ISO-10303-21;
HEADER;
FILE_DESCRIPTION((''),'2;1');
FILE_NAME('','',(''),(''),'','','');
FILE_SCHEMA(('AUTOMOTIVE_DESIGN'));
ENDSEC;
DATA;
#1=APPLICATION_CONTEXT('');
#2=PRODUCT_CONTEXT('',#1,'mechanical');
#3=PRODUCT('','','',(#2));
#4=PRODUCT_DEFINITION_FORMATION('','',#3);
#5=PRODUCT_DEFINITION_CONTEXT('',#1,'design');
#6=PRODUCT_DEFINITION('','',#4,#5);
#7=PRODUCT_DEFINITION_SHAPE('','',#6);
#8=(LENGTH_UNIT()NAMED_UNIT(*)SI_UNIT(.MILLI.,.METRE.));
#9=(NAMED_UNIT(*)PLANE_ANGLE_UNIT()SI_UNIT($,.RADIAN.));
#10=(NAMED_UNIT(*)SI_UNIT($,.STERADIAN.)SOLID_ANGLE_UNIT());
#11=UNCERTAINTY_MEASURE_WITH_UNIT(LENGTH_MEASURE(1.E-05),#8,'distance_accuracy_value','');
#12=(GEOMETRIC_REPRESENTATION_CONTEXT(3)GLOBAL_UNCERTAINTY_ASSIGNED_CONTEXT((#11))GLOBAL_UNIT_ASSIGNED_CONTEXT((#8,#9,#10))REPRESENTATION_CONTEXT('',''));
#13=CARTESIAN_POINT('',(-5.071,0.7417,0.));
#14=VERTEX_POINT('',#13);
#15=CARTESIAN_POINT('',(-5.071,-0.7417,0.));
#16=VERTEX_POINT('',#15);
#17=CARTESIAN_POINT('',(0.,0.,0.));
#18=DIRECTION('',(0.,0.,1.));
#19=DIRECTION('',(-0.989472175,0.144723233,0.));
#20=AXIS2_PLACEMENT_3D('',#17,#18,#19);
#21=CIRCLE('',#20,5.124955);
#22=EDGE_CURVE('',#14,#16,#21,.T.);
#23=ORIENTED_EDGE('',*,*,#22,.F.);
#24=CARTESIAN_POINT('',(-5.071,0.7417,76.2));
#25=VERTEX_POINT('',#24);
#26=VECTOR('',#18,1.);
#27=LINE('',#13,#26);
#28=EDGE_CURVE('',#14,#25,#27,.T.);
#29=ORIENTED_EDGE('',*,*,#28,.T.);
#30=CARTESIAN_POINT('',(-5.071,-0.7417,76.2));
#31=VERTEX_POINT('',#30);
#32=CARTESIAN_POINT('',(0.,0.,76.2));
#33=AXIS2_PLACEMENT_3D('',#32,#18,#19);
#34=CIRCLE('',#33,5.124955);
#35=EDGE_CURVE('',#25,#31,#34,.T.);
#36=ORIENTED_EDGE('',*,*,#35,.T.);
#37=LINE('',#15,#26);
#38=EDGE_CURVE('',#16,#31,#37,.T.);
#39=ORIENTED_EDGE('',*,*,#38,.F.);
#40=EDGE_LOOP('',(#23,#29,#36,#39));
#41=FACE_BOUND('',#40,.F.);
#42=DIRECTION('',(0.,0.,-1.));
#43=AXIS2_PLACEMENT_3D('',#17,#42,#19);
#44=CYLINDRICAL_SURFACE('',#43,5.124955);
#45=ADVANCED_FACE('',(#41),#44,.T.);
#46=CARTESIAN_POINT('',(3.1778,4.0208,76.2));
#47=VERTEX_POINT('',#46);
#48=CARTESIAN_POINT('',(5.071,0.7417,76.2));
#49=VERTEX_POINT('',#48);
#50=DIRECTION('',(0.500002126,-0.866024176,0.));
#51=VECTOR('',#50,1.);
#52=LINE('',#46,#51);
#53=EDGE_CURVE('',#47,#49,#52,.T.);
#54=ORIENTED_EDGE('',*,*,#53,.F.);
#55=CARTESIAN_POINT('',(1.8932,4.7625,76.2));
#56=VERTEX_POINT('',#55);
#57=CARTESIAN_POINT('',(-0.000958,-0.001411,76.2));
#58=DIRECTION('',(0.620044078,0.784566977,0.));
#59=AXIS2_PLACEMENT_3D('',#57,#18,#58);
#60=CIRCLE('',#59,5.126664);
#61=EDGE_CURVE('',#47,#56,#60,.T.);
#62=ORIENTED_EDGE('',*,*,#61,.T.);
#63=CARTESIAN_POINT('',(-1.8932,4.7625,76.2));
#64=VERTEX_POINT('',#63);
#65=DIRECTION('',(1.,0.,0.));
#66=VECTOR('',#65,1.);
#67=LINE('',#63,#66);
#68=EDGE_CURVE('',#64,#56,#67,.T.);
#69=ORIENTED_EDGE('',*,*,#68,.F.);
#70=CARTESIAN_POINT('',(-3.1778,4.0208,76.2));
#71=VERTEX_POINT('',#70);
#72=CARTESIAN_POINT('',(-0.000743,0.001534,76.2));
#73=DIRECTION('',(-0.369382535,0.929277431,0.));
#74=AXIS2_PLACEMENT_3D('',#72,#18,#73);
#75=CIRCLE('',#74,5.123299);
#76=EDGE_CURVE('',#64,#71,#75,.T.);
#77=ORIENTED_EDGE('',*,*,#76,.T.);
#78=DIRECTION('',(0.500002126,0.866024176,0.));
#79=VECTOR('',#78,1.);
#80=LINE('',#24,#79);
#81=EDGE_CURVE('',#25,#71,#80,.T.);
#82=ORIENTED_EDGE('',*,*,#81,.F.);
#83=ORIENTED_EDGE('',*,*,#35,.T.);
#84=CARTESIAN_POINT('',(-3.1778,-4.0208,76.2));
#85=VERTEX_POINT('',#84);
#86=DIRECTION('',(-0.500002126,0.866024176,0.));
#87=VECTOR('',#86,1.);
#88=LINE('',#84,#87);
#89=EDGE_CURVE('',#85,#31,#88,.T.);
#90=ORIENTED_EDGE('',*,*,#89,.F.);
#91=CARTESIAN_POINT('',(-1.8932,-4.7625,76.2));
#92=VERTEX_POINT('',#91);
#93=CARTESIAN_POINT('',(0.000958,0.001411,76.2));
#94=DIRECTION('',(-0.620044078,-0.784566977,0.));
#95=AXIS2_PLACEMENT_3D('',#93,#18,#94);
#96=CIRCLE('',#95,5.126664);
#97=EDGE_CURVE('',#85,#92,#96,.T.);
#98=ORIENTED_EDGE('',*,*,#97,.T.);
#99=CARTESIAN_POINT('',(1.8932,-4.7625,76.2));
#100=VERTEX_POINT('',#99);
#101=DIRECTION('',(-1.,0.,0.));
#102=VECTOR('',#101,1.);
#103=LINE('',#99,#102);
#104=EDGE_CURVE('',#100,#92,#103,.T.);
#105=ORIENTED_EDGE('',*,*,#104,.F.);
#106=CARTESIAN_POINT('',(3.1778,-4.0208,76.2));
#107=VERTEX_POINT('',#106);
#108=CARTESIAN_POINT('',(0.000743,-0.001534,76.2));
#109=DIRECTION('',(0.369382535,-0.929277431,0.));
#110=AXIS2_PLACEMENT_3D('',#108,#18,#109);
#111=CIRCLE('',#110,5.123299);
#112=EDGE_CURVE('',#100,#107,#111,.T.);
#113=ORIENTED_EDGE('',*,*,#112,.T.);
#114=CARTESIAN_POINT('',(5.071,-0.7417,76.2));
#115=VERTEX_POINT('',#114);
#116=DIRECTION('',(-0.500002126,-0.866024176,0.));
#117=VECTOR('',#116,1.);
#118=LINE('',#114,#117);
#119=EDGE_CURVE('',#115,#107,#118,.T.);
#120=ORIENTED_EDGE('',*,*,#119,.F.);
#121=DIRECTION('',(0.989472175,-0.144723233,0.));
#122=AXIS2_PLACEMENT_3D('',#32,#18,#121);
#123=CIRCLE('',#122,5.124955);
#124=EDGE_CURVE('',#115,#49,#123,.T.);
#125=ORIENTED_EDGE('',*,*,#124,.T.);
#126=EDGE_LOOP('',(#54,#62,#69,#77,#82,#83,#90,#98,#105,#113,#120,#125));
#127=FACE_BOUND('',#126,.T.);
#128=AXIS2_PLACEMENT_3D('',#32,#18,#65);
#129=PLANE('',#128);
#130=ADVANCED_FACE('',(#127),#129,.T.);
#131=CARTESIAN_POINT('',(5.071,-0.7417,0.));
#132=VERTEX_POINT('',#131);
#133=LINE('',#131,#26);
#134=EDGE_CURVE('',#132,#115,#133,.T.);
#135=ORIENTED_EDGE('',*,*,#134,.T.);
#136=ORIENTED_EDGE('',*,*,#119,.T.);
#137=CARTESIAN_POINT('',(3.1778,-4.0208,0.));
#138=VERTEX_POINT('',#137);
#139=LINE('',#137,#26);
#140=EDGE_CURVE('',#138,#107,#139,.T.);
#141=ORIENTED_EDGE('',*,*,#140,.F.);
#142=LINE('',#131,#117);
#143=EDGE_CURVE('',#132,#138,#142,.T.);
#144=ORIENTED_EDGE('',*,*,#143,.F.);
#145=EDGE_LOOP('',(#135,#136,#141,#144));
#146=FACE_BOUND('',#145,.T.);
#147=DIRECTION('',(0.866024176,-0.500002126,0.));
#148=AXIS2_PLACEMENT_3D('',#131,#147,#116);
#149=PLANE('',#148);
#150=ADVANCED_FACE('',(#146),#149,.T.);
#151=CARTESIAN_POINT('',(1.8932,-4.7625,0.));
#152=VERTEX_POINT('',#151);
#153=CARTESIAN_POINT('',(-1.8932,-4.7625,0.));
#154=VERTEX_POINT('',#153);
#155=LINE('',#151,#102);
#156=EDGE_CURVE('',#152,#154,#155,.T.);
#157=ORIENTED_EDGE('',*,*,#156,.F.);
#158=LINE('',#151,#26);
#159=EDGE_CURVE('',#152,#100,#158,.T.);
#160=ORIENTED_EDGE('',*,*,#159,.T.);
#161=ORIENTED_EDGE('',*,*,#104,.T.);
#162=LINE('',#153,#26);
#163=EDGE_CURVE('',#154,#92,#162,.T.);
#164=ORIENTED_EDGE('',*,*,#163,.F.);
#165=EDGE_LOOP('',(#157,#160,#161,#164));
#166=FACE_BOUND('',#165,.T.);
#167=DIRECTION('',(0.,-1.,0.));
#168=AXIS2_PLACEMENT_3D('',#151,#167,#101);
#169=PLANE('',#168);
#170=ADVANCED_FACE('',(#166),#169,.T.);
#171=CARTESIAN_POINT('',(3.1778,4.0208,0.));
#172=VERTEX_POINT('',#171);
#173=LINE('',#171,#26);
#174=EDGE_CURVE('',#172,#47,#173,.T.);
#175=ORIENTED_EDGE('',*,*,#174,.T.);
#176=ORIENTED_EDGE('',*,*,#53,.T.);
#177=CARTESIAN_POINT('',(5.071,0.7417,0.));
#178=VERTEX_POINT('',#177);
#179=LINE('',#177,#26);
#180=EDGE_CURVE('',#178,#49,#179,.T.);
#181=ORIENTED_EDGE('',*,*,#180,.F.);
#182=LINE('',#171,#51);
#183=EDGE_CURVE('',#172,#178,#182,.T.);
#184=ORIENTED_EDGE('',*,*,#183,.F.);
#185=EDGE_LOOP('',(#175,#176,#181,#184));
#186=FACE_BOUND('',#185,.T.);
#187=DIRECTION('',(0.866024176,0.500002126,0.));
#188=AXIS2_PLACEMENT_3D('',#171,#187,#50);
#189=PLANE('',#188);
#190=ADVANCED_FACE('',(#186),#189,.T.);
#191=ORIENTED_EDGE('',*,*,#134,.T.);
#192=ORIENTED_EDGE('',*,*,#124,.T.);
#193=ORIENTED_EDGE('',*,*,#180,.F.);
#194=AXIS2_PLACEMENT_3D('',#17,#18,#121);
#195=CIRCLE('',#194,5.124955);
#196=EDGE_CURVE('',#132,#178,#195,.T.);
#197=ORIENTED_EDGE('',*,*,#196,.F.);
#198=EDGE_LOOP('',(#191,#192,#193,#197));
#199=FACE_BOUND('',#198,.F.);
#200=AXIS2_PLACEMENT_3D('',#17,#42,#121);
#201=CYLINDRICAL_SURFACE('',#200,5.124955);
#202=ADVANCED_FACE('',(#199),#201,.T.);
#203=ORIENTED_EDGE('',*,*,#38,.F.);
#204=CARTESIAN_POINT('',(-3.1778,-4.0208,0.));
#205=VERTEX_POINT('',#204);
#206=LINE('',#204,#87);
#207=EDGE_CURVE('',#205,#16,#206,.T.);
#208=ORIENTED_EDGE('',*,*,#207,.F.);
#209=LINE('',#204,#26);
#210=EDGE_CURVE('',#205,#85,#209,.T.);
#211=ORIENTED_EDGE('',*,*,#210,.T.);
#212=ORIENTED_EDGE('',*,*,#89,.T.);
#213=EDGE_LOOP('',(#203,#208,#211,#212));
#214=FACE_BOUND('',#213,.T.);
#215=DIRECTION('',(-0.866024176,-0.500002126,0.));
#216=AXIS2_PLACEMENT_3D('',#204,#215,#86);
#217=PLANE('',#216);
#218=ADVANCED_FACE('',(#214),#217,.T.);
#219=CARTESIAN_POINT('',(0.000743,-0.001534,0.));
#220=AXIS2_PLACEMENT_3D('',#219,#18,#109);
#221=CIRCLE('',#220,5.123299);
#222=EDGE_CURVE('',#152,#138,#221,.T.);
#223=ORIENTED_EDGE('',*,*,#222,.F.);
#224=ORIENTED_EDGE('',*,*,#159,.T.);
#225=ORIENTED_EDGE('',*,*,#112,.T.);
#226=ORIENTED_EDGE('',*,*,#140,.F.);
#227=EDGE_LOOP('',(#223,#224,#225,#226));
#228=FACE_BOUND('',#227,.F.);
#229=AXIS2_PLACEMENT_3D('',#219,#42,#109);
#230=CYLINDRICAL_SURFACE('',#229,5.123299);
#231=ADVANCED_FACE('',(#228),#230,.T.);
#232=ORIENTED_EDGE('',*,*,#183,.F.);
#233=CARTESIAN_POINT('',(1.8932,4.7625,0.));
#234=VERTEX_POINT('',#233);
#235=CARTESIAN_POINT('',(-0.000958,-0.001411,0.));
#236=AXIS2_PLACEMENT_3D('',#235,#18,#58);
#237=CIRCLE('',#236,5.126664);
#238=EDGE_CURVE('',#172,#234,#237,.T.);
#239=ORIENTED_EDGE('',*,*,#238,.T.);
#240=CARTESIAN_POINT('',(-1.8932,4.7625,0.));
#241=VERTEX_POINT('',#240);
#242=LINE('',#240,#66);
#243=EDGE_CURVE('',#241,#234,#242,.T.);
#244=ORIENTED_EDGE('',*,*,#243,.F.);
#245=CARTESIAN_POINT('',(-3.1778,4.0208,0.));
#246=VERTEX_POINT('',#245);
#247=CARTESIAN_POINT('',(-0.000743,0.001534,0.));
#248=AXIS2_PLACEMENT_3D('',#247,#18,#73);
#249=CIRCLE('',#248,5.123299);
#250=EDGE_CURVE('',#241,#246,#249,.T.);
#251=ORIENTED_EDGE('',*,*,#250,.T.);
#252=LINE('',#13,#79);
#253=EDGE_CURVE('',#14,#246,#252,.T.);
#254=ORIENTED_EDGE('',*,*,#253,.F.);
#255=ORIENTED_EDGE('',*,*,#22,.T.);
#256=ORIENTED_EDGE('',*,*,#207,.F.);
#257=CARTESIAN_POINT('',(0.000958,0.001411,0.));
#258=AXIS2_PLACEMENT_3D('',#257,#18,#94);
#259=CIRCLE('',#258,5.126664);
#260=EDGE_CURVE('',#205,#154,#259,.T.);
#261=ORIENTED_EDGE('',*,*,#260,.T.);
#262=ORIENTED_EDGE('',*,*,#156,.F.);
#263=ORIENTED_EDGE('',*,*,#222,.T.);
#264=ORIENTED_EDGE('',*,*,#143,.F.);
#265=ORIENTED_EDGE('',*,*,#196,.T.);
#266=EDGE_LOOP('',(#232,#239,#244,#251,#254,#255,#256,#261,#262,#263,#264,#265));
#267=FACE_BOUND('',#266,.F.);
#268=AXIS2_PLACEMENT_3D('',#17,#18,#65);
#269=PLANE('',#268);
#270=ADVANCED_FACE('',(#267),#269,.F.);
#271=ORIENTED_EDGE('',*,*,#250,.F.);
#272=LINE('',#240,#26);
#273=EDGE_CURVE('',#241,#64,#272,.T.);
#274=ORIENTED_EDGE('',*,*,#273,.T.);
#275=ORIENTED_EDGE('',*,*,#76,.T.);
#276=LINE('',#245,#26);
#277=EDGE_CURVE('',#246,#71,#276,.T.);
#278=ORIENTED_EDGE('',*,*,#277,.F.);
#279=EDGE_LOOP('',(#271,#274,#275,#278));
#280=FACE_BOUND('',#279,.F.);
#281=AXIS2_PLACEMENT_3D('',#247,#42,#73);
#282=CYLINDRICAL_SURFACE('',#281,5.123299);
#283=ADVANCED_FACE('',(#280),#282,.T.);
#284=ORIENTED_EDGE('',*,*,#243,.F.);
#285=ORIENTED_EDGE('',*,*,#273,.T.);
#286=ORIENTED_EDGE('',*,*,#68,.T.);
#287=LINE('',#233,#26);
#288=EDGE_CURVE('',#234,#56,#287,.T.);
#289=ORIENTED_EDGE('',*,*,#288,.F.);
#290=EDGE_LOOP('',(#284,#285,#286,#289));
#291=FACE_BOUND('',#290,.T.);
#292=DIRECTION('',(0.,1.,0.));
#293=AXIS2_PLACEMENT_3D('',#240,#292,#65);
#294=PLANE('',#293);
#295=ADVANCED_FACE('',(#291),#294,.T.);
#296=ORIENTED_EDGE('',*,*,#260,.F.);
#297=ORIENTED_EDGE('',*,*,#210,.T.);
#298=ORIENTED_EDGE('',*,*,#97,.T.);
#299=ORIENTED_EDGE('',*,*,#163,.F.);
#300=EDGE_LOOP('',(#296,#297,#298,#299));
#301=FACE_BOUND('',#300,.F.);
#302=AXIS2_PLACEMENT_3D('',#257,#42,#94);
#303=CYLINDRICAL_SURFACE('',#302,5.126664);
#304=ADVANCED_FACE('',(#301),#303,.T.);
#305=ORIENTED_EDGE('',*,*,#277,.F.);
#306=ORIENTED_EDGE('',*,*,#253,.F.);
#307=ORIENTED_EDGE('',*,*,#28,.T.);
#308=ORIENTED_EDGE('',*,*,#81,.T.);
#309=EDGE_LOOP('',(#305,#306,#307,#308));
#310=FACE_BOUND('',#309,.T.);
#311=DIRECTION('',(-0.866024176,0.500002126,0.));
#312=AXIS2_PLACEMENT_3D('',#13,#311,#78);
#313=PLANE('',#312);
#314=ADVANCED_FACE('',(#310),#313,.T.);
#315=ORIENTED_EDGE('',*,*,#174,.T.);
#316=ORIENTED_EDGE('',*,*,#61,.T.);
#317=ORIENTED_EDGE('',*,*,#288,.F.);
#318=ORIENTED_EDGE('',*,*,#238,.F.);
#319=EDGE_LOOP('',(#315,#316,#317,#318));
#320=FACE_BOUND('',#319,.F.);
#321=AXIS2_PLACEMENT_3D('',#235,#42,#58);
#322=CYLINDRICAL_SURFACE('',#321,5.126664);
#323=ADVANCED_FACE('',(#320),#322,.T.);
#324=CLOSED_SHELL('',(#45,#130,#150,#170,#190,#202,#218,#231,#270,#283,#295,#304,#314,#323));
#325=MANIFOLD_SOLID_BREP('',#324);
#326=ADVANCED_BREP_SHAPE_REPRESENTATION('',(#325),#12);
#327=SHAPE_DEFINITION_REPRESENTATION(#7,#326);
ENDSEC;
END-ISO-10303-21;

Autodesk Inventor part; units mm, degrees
ref_plane "YZ Plane" through (0, 0, 0) normal (1, 0, 0) x (0, 1, 0)
ref_plane "XZ Plane" through (0, 0, 0) normal (0, 1, 0) x (-1, 0, 0)
ref_plane "XY Plane" through (0, 0, 0) normal (0, 0, 1) x (1, 0, 0)
sketch "Sketch1" plane through (0, 0, 0) normal (0, 0, 1) x (1, 0, 0)
  line L0 (2.7496, 4.7625) -> (3.1778, 4.0208)
  line L1 (5.4993, 0) -> (5.071, -0.7417)
  line L2 (2.7496, -4.7625) -> (1.8932, -4.7625)
  line L3 (-2.7496, -4.7625) -> (-3.1778, -4.0208)
  line L4 (-5.4993, 0) -> (-5.071, 0.7417)
  line L5 (-2.7496, 4.7625) -> (-1.8932, 4.7625)
  arc A0 (-3.1778, -4.0208) -> (-1.8932, -4.7625) centre (0, 0) ccw
  line L6 (-3.1778, 4.0208) -> (-2.7496, 4.7625)
  line L7 (1.8932, 4.7625) -> (2.7496, 4.7625)
  line L8 (5.071, 0.7417) -> (5.4993, 0)
  line L9 (5.071, -0.7417) -> (3.1778, -4.0208)
  line L10 (-1.8932, -4.7625) -> (-2.7496, -4.7625)
  line L11 (-3.1778, -4.0208) -> (-5.071, -0.7417)
  arc A1 (-5.071, -0.7417) -> (-3.1778, -4.0208) centre (0, 0) ccw
  arc A2 (-5.071, 0.7417) -> (-5.071, -0.7417) centre (0, 0) ccw
  arc A3 (-3.1778, 4.0208) -> (-5.071, 0.7417) centre (0, 0) ccw
  arc A4 (-1.8932, 4.7625) -> (-3.1778, 4.0208) centre (0, 0) ccw
  arc A5 (5.071, 0.7417) -> (3.1778, 4.0208) centre (0, 0) ccw
  arc A6 (5.071, -0.7417) -> (5.071, 0.7417) centre (0, 0) ccw
  arc A7 (-1.8932, -4.7625) -> (1.8932, -4.7625) centre (0, 0) ccw
  arc A8 (1.8932, -4.7625) -> (3.1778, -4.0208) centre (0, 0) ccw
  arc A9 (3.1778, -4.0208) -> (5.071, -0.7417) centre (0, 0) ccw
  arc A10 (3.1778, 4.0208) -> (1.8932, 4.7625) centre (0, 0) ccw
  arc A11 (1.8932, 4.7625) -> (-1.8932, 4.7625) centre (0, 0) ccw
  line L12 (-5.071, 0.7417) -> (-3.1778, 4.0208)
  line L13 (-5.071, -0.7417) -> (-5.4993, 0)
  line L14 (1.8932, -4.7625) -> (-1.8932, -4.7625)
  line L15 (3.1778, -4.0208) -> (2.7496, -4.7625)
  line L16 (3.1778, 4.0208) -> (5.071, 0.7417)
  line L17 (-1.8932, 4.7625) -> (1.8932, 4.7625)
  dimension "d0" = 9.525
  dimension "d1" = 10.25
extrude "Extrusion1" add sketch "Sketch1" along normal blind 76.2 contours L16 A6 L9 A8 L14 A0 L11 A2 L12 A4 L17 A10
properties part number "drive_shaft" material "Steel, Alloy"
